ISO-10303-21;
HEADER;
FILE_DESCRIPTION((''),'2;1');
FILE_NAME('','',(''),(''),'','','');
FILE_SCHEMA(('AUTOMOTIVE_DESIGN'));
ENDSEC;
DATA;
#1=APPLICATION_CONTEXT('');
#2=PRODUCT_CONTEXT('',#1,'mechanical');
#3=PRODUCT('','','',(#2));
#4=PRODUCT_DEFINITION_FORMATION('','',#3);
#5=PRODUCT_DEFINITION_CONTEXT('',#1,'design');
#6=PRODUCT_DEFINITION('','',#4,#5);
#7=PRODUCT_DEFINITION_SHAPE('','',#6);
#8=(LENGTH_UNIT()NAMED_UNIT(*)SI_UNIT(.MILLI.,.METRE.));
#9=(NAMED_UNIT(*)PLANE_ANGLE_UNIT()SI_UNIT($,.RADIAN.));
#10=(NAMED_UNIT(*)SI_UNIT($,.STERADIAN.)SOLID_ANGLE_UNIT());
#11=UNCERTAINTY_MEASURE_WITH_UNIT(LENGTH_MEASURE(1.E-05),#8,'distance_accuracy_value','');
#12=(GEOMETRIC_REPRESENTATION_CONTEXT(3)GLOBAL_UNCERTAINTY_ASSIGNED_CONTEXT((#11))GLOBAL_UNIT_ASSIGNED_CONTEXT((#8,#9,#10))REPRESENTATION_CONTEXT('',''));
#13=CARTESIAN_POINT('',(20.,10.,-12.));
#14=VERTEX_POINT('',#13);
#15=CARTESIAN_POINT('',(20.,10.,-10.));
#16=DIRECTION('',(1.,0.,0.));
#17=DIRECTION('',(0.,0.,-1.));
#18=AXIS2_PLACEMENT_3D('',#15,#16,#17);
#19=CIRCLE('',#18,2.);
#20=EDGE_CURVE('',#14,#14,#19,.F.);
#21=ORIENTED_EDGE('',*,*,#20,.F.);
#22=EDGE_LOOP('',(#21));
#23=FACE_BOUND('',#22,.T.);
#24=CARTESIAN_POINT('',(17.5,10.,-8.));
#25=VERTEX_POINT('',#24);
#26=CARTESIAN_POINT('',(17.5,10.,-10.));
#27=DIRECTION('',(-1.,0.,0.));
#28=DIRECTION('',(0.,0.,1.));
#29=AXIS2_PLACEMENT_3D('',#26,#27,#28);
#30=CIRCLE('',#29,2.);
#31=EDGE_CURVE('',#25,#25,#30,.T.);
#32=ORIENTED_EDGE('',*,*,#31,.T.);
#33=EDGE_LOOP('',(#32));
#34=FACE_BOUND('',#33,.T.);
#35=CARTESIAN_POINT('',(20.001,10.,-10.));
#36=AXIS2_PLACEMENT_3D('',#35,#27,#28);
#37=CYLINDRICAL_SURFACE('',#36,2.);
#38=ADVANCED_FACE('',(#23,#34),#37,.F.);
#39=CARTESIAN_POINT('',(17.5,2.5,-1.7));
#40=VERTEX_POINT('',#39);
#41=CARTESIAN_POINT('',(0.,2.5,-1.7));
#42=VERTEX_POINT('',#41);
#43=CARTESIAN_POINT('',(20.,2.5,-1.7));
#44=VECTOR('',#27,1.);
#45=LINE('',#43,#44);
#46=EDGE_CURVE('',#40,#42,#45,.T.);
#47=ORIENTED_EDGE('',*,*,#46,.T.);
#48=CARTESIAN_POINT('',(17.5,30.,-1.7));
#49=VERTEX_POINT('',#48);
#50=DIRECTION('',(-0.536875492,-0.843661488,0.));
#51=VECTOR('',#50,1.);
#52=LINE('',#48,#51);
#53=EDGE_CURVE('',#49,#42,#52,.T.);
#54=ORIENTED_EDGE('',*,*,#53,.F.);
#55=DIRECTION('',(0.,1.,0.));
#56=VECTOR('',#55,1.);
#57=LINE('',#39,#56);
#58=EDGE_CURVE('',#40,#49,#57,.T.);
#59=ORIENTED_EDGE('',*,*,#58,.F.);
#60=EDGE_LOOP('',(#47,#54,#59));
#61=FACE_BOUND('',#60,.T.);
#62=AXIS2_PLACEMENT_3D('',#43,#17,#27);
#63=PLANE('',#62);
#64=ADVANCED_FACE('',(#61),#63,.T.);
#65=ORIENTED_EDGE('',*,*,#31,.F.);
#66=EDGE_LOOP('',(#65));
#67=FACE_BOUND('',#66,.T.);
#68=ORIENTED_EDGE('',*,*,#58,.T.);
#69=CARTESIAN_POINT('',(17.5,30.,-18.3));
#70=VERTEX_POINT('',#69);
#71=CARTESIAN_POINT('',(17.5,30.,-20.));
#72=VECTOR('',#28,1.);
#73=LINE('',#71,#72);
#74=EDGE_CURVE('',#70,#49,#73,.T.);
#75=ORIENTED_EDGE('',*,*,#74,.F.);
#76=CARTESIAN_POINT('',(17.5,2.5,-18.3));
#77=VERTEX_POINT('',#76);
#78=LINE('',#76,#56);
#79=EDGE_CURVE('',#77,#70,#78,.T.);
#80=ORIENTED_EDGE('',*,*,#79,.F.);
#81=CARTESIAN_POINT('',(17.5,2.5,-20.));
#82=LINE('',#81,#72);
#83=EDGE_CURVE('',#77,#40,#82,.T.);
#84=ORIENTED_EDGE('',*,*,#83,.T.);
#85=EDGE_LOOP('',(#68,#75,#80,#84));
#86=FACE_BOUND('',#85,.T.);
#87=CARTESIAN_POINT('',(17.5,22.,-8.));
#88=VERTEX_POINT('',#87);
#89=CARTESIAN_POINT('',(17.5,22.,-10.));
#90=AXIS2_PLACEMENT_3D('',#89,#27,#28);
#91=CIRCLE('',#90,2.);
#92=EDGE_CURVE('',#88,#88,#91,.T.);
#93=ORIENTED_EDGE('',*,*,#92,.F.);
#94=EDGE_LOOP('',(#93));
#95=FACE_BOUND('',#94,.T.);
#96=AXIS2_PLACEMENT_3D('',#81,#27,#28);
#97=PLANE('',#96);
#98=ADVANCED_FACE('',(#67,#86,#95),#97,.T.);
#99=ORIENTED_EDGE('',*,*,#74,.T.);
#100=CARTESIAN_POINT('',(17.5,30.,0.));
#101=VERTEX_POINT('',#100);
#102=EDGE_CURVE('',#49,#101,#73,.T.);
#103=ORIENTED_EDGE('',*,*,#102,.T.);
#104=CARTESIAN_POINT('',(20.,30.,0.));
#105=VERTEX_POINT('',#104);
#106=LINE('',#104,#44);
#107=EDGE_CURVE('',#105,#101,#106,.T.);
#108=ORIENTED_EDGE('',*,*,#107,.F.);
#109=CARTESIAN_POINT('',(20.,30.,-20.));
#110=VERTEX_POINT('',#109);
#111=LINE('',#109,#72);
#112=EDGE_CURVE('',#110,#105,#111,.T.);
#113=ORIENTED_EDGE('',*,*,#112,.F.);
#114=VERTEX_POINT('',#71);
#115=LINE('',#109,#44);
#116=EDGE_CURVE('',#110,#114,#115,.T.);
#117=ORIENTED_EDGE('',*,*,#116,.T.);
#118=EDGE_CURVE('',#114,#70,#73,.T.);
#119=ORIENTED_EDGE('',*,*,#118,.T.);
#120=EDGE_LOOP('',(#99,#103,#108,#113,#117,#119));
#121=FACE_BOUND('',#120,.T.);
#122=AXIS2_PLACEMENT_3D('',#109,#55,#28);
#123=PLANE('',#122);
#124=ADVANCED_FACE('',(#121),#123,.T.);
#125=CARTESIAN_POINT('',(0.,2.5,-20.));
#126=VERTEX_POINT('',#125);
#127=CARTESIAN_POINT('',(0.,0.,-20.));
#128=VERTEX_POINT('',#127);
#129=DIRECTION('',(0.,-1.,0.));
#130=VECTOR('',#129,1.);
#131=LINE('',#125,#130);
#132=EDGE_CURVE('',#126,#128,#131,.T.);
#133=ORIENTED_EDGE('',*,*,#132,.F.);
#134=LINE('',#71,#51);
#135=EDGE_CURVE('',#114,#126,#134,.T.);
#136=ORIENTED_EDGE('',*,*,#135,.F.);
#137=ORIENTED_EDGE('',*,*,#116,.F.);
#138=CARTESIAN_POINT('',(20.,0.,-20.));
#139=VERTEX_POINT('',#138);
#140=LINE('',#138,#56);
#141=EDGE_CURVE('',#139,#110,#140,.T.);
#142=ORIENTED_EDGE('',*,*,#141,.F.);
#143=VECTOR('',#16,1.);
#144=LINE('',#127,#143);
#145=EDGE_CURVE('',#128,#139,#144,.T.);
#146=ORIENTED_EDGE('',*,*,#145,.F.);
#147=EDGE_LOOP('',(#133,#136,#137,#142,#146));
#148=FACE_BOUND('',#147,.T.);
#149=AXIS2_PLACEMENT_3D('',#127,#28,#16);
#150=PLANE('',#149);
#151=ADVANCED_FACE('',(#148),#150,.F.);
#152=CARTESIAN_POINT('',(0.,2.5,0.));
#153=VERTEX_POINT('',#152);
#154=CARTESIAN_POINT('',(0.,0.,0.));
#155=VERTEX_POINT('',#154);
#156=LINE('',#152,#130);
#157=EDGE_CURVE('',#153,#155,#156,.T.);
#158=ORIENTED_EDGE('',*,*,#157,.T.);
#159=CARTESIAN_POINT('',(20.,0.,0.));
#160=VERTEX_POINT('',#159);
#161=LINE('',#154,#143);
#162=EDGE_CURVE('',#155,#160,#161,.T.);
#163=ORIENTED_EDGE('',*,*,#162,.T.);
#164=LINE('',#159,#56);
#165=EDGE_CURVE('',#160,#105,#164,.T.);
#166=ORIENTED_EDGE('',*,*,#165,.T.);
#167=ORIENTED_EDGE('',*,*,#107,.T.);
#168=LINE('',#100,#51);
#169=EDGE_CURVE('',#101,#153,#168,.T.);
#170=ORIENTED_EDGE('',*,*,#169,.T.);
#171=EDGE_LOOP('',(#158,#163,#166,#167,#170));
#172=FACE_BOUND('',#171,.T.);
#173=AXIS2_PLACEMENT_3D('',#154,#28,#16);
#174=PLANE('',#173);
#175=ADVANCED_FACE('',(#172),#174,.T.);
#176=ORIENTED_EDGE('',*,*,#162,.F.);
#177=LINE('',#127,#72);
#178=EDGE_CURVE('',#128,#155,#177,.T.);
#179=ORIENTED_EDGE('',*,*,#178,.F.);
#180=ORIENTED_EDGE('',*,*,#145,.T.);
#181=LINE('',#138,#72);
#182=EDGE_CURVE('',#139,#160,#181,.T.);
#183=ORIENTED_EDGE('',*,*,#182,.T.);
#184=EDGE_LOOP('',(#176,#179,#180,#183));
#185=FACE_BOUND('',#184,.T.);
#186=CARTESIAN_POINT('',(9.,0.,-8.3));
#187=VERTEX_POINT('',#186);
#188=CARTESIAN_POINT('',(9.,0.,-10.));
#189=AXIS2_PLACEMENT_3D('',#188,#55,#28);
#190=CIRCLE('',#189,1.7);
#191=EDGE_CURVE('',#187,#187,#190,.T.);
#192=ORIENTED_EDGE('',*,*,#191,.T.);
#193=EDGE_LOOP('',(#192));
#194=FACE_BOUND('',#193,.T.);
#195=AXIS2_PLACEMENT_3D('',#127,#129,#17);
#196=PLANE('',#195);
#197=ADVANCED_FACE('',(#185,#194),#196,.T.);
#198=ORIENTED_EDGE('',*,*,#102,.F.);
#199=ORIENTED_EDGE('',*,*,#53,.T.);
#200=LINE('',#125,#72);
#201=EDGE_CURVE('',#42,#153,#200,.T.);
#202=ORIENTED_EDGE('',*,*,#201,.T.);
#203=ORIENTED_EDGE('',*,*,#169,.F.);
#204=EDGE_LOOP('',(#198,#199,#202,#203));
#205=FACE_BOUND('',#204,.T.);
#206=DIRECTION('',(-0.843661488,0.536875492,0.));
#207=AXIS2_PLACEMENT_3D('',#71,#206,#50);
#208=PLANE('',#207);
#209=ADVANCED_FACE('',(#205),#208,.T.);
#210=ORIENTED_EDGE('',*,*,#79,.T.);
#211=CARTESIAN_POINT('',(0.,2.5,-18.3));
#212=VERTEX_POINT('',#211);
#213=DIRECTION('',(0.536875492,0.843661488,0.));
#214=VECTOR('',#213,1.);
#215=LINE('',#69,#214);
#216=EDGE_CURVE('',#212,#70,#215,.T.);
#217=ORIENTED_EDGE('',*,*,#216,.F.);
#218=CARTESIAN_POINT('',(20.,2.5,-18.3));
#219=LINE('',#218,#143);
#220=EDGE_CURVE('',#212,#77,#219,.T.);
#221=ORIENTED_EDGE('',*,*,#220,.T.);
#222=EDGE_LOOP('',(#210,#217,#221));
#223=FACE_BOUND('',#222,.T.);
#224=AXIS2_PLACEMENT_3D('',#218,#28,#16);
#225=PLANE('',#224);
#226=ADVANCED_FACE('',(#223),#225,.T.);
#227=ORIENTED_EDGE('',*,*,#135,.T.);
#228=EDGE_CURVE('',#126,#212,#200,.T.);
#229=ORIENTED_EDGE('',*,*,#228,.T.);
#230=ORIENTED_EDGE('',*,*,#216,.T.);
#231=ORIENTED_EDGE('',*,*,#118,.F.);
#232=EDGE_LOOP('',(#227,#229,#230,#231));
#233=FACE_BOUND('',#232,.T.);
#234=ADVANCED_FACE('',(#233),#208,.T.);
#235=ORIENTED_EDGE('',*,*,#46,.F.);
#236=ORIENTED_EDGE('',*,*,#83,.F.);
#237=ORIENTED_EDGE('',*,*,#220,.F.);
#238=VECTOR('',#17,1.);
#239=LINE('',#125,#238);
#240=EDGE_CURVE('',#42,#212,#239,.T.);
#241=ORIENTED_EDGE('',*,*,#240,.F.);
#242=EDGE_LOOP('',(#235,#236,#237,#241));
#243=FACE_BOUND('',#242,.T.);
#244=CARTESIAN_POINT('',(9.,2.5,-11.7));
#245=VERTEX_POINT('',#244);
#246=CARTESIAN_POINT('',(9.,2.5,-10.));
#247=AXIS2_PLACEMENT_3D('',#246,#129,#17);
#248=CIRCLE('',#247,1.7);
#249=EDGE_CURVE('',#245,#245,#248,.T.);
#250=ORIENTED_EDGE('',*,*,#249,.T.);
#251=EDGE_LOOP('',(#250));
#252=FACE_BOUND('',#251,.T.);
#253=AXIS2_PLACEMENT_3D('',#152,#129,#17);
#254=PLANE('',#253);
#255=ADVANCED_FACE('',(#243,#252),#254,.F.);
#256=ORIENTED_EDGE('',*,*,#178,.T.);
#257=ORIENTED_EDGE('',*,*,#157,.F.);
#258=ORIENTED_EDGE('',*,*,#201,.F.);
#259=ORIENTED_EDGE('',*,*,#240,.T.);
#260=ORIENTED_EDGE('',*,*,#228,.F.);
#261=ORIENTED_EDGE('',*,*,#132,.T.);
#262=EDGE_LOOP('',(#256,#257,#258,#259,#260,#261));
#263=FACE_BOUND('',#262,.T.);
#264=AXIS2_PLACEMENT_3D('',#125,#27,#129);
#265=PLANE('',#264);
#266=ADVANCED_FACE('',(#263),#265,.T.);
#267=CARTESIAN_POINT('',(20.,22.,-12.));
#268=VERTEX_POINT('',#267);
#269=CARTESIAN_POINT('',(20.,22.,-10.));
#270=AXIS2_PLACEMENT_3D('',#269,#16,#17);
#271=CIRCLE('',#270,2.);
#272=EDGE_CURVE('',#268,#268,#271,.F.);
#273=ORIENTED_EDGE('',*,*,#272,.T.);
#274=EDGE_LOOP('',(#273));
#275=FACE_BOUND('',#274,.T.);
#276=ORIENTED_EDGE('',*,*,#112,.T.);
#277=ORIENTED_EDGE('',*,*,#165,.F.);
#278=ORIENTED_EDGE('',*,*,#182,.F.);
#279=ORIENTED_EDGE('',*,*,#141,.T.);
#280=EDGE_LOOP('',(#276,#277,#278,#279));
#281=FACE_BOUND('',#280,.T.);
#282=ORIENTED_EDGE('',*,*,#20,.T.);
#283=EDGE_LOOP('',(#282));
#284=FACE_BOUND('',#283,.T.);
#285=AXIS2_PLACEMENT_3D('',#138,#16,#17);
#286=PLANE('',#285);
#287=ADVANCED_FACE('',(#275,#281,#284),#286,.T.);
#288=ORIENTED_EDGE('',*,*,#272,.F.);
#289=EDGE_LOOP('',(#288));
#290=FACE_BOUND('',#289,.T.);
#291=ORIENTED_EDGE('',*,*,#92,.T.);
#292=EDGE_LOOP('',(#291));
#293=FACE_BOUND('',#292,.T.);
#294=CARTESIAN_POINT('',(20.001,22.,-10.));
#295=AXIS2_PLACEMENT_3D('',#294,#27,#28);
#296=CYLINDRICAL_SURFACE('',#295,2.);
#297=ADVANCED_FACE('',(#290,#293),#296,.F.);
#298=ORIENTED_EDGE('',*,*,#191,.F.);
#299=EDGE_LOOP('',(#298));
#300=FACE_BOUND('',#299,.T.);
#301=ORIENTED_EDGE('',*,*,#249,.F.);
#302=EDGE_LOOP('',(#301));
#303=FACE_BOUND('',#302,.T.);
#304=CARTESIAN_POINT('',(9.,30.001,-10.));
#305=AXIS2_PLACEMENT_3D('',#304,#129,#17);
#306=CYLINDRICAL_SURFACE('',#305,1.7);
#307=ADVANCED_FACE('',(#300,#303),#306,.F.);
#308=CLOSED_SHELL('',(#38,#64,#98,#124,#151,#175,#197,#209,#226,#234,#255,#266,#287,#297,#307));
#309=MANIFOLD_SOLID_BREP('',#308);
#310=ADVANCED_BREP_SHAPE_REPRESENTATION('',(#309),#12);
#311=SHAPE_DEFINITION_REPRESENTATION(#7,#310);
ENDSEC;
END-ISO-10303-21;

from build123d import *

# Parameters (mm, degrees)
EXTRUDE_1_DEPTH     = 20
CUT_EXTRUDE_START   = 30
SKETCH_2_W          = 17.5
SKETCH_2_H          = 16.6
CUT_EXTRUDE_1_DEPTH = 27.5
CUT_EXTRUDE_START_2 = 17.5
SKETCH_3_R          = 2
CUT_EXTRUDE_2_DEPTH = 2.5
CUT_EXTRUDE_3_REACH = 43.231
SKETCH_4_R          = 1.7


with BuildPart() as part:
    # 草图1 → 凸台-拉伸1 (new body)
    with BuildSketch(Plane.XY):
        Polygon((0, 0), (20, 0), (20, 30), (17.5, 30), (0, 2.5), align=None)
    extrude(amount=-EXTRUDE_1_DEPTH)

    # 草图2 → 切除-拉伸1 (cut)
    with BuildSketch(Plane(origin=(0, 0, 0), x_dir=(1, 0, 0), z_dir=(0, 1, 0)).offset(CUT_EXTRUDE_START)):
        with Locations((8.75, 10)):
            Rectangle(SKETCH_2_W, SKETCH_2_H)
    extrude(amount=-CUT_EXTRUDE_1_DEPTH, mode=Mode.SUBTRACT)

    # 草图3 → 切除-拉伸2 (cut)
    with BuildSketch(Plane(origin=(0, 0, 0), x_dir=(0, 0, -1), z_dir=(1, 0, 0)).offset(CUT_EXTRUDE_START_2)):
        with Locations(Location((10, 22, 0), (0, 0, 180))):
            Circle(SKETCH_3_R)
        with Locations(Location((10, 10, 0), (0, 0, 180))):
            Circle(SKETCH_3_R)
    extrude(amount=CUT_EXTRUDE_2_DEPTH, mode=Mode.SUBTRACT)

    # 草图4 → 切除-拉伸3 (cut, up to next)
    with BuildSketch(Plane(origin=(0, 0, 0), x_dir=(1, 0, 0), z_dir=(0, 1, 0)), mode=Mode.PRIVATE) as cut_extrude_3_sk1:
        with Locations(Location((9, 10, 0), (0, 0, 90))):
            Circle(SKETCH_4_R)
    cut_extrude_3_tool1 = extrude(cut_extrude_3_sk1.sketch, amount=CUT_EXTRUDE_3_REACH, mode=Mode.PRIVATE) & part.part
    add(cut_extrude_3_tool1.solids().sort_by_distance((9, 0, -10))[0], mode=Mode.SUBTRACT)


solid = part.part
